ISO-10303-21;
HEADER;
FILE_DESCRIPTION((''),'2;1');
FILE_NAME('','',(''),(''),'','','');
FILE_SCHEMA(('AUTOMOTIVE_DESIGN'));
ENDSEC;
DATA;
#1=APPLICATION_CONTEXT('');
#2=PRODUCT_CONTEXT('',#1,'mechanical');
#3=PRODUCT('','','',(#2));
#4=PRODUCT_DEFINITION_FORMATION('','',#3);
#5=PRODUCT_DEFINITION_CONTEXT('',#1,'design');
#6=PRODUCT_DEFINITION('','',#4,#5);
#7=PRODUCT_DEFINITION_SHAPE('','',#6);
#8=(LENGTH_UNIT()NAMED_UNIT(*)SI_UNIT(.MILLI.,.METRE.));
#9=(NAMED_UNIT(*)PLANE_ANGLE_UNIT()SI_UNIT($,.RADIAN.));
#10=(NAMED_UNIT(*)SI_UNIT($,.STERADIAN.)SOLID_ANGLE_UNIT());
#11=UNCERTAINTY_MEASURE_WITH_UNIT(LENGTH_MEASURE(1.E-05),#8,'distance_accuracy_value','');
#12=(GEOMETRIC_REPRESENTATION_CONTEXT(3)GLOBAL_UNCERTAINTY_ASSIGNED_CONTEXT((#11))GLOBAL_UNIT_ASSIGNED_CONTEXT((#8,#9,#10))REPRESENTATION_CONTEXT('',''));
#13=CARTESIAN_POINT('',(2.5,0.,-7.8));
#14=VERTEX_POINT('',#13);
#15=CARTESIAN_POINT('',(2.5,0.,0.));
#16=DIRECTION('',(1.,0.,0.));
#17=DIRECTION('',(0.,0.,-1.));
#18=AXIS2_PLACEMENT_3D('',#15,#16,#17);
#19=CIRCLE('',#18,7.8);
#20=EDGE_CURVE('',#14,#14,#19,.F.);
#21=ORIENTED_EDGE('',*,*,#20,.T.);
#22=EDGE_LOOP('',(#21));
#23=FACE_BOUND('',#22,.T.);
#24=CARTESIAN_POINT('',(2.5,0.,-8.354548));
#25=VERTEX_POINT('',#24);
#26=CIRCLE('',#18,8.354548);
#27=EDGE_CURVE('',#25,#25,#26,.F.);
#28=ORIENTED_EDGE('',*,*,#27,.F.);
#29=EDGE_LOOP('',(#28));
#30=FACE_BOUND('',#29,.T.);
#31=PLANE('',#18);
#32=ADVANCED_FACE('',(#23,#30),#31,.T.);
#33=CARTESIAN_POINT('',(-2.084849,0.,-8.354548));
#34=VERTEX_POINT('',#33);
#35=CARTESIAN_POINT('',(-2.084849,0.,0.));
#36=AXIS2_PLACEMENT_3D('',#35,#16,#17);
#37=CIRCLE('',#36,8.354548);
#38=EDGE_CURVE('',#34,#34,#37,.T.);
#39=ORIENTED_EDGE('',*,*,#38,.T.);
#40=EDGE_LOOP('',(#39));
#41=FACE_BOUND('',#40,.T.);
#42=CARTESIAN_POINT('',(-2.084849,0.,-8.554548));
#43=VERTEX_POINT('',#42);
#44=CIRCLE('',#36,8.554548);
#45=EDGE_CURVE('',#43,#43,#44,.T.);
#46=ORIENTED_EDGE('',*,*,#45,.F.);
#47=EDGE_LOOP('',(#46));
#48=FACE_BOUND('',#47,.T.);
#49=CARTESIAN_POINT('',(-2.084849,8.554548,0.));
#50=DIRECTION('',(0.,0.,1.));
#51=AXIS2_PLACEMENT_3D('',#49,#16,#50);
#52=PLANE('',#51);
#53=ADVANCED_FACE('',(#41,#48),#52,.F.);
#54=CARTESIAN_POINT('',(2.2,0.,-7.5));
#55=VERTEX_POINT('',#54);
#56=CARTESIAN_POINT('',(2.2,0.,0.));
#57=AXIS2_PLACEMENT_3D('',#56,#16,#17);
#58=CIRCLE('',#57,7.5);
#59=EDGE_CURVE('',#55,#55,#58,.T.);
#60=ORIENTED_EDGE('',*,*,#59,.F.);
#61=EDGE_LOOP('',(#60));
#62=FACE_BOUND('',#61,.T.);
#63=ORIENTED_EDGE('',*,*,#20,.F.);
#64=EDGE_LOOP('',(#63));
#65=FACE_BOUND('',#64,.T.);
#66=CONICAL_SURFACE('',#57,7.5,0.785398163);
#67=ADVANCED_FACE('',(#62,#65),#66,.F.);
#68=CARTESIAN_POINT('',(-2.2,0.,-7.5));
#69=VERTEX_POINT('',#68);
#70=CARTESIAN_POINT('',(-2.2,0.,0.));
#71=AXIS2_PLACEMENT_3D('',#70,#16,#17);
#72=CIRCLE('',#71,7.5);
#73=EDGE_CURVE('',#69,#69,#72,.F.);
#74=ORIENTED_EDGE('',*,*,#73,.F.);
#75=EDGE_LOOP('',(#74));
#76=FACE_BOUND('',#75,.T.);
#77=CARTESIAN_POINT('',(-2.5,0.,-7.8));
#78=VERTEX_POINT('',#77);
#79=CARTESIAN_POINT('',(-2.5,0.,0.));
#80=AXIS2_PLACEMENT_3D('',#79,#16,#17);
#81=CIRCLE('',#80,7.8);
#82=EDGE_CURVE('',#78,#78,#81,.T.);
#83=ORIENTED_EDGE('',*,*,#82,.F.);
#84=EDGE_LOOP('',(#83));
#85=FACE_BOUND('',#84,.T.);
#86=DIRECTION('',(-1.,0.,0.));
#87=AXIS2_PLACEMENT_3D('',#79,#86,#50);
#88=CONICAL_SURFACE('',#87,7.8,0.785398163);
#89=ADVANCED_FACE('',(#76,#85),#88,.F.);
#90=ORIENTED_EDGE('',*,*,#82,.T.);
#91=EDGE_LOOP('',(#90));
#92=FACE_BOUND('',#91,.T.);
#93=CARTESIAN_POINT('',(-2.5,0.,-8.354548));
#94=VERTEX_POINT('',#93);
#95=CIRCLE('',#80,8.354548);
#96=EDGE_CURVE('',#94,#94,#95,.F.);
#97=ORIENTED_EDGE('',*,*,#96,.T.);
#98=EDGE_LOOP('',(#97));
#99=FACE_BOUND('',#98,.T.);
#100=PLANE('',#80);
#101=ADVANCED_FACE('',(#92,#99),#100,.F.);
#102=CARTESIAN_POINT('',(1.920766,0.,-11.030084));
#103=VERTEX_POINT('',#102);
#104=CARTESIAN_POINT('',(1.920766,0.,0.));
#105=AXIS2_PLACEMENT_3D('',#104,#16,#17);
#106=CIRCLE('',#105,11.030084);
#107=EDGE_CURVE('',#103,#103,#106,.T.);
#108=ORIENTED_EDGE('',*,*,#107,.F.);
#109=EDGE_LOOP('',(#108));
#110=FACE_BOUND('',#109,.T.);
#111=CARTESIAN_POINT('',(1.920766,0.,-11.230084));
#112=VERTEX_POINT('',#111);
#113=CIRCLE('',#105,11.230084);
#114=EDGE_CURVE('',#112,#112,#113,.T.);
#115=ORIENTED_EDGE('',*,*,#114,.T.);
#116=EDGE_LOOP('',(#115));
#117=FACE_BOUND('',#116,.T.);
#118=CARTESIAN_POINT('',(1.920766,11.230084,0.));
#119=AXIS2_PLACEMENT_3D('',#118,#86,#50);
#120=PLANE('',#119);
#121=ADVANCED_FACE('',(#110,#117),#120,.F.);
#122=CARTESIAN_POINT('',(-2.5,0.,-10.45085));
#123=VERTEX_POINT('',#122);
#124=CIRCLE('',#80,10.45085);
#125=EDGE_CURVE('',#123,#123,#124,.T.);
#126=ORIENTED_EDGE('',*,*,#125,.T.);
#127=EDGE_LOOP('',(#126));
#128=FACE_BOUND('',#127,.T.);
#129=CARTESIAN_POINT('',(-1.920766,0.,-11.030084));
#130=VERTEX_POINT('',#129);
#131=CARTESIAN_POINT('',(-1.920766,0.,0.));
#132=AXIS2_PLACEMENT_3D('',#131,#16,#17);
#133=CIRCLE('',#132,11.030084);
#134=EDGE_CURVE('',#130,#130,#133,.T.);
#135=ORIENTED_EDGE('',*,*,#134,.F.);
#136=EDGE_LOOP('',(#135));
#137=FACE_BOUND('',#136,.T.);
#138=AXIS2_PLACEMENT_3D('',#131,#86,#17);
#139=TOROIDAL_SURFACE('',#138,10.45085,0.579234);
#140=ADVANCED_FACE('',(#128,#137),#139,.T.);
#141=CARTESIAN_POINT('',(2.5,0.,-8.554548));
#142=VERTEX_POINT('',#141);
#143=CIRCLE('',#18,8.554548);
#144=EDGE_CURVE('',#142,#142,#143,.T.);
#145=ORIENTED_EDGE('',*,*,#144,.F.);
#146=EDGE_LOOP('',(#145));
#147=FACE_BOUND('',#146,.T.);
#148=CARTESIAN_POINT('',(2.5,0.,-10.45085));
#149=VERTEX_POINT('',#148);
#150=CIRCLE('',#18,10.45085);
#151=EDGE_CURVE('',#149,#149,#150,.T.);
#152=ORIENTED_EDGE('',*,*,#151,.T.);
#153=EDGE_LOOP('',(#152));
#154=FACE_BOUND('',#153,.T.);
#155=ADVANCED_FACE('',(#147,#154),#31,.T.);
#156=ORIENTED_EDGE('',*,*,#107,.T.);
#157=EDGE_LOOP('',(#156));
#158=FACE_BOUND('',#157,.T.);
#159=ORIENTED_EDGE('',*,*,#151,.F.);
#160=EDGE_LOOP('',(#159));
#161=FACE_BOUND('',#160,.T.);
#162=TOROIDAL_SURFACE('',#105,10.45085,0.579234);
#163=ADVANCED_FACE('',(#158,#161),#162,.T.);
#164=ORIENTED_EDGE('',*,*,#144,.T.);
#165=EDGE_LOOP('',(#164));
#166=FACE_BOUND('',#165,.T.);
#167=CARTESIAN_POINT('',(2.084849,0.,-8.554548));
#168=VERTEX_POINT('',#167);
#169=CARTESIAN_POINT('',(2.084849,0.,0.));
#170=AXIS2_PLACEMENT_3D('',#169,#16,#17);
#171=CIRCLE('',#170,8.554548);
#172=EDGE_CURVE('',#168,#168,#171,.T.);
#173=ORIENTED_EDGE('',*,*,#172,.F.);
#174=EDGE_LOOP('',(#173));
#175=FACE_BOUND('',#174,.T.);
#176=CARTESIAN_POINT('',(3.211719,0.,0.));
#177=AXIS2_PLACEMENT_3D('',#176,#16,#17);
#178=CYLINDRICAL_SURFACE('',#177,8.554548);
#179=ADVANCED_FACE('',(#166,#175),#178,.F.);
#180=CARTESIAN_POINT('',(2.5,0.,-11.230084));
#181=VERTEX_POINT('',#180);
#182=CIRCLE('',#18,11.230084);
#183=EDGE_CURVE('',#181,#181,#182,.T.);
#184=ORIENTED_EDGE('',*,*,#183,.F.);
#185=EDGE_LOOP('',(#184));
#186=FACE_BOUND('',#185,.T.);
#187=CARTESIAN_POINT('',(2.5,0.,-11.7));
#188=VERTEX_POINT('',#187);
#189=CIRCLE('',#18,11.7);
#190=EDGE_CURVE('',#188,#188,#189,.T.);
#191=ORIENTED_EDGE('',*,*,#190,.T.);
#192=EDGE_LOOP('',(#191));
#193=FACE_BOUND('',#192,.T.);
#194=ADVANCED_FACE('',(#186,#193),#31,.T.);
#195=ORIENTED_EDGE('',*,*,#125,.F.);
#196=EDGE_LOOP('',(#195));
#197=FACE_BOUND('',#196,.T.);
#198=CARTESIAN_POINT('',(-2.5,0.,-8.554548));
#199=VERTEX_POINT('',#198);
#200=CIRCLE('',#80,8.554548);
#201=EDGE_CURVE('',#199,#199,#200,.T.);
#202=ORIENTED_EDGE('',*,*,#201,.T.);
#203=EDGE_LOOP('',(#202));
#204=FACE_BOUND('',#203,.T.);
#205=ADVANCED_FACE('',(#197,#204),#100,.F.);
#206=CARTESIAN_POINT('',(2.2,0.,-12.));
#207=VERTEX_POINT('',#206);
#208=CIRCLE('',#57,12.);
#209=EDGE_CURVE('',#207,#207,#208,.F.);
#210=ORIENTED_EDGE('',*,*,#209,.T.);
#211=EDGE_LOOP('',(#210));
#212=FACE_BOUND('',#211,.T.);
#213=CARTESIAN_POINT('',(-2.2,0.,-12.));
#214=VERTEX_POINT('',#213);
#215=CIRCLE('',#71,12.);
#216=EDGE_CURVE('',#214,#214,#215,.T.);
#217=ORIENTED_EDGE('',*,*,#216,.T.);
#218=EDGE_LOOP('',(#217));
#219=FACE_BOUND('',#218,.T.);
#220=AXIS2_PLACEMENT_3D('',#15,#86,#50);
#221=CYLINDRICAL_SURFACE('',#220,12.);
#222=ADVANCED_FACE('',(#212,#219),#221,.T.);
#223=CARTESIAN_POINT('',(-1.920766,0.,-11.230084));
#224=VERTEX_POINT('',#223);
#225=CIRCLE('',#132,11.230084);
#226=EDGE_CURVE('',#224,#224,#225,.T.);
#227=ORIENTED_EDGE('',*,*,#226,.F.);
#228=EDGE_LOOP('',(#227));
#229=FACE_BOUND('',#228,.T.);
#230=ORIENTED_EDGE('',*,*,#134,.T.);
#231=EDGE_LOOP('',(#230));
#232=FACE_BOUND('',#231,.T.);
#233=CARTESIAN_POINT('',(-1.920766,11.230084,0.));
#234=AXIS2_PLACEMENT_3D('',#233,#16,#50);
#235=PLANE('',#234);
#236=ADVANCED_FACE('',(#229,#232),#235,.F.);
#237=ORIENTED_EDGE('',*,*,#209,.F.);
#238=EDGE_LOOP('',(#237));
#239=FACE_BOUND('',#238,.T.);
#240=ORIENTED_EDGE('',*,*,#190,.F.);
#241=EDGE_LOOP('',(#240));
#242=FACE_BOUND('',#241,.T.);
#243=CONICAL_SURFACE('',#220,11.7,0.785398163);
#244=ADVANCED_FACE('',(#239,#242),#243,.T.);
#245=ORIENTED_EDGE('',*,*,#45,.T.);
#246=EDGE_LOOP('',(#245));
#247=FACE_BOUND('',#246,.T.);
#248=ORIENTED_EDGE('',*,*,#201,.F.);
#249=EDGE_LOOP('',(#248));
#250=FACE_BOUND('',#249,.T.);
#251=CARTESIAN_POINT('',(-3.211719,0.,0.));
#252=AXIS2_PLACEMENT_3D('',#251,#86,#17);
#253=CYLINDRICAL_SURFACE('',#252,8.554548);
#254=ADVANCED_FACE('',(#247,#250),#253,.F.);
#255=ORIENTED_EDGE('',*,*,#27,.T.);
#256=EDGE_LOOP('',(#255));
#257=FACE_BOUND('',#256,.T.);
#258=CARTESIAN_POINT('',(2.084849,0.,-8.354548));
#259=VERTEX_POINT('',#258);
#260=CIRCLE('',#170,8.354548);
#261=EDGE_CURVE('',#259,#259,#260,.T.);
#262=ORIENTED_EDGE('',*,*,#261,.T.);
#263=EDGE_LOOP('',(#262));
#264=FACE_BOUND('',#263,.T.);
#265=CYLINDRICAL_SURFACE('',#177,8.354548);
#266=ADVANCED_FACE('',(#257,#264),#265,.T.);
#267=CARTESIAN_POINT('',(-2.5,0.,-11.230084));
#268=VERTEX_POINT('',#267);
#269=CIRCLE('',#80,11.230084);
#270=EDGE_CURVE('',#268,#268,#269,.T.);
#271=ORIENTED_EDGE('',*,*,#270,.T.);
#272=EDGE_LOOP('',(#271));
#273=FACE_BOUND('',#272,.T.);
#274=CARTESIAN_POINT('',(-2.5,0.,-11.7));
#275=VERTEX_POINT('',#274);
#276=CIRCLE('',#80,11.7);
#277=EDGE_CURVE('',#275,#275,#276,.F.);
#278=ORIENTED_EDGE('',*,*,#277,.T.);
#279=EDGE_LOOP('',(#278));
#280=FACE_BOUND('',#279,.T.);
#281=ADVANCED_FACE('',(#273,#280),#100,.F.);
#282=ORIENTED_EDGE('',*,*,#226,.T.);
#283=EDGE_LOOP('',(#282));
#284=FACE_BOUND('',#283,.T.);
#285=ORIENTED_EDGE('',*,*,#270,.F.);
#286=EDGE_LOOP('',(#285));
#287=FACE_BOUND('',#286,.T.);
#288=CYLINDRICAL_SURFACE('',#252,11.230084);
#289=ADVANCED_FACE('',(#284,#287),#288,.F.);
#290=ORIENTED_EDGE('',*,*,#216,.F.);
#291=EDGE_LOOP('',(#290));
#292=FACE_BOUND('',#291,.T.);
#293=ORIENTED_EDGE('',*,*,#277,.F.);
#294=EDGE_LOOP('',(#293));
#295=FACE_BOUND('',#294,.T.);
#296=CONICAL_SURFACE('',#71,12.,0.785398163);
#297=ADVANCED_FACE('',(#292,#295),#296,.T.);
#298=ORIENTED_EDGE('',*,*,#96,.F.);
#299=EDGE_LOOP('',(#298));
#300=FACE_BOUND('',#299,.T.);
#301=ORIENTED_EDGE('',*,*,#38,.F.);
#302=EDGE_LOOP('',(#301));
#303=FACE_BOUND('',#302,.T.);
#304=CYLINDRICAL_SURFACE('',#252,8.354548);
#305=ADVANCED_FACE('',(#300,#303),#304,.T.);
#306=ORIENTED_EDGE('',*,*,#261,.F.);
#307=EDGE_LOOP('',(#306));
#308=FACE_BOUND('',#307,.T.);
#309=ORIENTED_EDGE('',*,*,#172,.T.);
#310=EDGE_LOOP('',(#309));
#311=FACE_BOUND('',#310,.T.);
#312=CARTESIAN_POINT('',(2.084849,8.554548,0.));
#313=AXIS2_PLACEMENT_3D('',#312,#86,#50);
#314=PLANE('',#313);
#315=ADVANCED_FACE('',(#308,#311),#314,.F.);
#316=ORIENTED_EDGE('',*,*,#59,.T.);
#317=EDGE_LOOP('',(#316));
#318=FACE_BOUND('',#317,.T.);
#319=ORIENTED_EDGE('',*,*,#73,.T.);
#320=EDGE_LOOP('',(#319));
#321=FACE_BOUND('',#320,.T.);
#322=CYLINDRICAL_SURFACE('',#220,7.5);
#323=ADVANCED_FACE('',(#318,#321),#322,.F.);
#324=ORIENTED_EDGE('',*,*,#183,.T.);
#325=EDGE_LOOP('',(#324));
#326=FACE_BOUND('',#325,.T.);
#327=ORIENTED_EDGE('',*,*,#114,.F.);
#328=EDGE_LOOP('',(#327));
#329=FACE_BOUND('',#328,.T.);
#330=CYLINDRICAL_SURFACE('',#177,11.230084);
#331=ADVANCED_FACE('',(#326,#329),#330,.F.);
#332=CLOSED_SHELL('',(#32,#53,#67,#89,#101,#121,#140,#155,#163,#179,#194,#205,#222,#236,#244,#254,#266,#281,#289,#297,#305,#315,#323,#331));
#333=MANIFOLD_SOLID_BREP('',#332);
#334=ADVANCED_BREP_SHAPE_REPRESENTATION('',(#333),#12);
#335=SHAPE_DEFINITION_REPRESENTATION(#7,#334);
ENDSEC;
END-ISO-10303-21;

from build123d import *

# Parameters (mm, degrees)
SKETCH1_R           = 12
SKETCH1_R_2         = 7.5
BOSS_EXTRUDE1_DEPTH = 2.5
CHAMFER1_SIZE       = 0.3


with BuildPart() as part:
    # Sketch1 → Boss-Extrude1 (new, symmetric)
    with BuildSketch(Plane(origin=(0, 0, 0), x_dir=(0, 0, -1), z_dir=(1, 0, 0))):
        Circle(SKETCH1_R)
        Circle(SKETCH1_R_2, mode=Mode.SUBTRACT)
    extrude(amount=BOSS_EXTRUDE1_DEPTH, both=True)

    # Chamfer1
    chamfer1_edges = [part.edges().sort_by_distance(p)[0] for p in [
        (-2.5, 0, 12),
        (2.5, 0, 12),
        (-2.5, 0, 7.5),
        (2.5, 0, 7.5),
    ]]
    chamfer(chamfer1_edges, length=CHAMFER1_SIZE)

    # Sketch2 → Cut-Revolve1 (revolve, cut)
    with BuildSketch(Plane.XY, mode=Mode.PRIVATE) as cut_revolve1_sk:
        with BuildLine():
            Line((2.93973246, 11.230084286), (1.92076619, 11.230084286))
            Line((1.92076619, 11.230084286), (1.92076619, 11.030084286))
            ThreePointArc((1.92076619, 11.030084286), (2.330346345, 10.860430631), (2.5, 10.450850477))
            Line((2.5, 10.450850477), (2.5, 8.554548016))
            Line((2.5, 8.554548016), (2.084848677, 8.554548016))
            Line((2.084848677, 8.554548016), (2.084848677, 8.354548016))
            Line((2.084848677, 8.354548016), (2.93973246, 8.354548016))
            Line((2.93973246, 8.354548016), (2.93973246, 11.230084286))
        make_face()
    cut_revolve1 = revolve(cut_revolve1_sk.sketch.rotate(Axis((3.211719083, 0, 0), (-1, 0, 0)), 90), axis=Axis((3.211719083, 0, 0), (-1, 0, 0)), mode=Mode.SUBTRACT)

    # Mirror1: Cut-Revolve1 across plane
    add(cut_revolve1.mirror(Plane(origin=(0, 0, 0), x_dir=(0, 0, 1), z_dir=(1, 0, 0))), mode=Mode.SUBTRACT)


solid = part.part
